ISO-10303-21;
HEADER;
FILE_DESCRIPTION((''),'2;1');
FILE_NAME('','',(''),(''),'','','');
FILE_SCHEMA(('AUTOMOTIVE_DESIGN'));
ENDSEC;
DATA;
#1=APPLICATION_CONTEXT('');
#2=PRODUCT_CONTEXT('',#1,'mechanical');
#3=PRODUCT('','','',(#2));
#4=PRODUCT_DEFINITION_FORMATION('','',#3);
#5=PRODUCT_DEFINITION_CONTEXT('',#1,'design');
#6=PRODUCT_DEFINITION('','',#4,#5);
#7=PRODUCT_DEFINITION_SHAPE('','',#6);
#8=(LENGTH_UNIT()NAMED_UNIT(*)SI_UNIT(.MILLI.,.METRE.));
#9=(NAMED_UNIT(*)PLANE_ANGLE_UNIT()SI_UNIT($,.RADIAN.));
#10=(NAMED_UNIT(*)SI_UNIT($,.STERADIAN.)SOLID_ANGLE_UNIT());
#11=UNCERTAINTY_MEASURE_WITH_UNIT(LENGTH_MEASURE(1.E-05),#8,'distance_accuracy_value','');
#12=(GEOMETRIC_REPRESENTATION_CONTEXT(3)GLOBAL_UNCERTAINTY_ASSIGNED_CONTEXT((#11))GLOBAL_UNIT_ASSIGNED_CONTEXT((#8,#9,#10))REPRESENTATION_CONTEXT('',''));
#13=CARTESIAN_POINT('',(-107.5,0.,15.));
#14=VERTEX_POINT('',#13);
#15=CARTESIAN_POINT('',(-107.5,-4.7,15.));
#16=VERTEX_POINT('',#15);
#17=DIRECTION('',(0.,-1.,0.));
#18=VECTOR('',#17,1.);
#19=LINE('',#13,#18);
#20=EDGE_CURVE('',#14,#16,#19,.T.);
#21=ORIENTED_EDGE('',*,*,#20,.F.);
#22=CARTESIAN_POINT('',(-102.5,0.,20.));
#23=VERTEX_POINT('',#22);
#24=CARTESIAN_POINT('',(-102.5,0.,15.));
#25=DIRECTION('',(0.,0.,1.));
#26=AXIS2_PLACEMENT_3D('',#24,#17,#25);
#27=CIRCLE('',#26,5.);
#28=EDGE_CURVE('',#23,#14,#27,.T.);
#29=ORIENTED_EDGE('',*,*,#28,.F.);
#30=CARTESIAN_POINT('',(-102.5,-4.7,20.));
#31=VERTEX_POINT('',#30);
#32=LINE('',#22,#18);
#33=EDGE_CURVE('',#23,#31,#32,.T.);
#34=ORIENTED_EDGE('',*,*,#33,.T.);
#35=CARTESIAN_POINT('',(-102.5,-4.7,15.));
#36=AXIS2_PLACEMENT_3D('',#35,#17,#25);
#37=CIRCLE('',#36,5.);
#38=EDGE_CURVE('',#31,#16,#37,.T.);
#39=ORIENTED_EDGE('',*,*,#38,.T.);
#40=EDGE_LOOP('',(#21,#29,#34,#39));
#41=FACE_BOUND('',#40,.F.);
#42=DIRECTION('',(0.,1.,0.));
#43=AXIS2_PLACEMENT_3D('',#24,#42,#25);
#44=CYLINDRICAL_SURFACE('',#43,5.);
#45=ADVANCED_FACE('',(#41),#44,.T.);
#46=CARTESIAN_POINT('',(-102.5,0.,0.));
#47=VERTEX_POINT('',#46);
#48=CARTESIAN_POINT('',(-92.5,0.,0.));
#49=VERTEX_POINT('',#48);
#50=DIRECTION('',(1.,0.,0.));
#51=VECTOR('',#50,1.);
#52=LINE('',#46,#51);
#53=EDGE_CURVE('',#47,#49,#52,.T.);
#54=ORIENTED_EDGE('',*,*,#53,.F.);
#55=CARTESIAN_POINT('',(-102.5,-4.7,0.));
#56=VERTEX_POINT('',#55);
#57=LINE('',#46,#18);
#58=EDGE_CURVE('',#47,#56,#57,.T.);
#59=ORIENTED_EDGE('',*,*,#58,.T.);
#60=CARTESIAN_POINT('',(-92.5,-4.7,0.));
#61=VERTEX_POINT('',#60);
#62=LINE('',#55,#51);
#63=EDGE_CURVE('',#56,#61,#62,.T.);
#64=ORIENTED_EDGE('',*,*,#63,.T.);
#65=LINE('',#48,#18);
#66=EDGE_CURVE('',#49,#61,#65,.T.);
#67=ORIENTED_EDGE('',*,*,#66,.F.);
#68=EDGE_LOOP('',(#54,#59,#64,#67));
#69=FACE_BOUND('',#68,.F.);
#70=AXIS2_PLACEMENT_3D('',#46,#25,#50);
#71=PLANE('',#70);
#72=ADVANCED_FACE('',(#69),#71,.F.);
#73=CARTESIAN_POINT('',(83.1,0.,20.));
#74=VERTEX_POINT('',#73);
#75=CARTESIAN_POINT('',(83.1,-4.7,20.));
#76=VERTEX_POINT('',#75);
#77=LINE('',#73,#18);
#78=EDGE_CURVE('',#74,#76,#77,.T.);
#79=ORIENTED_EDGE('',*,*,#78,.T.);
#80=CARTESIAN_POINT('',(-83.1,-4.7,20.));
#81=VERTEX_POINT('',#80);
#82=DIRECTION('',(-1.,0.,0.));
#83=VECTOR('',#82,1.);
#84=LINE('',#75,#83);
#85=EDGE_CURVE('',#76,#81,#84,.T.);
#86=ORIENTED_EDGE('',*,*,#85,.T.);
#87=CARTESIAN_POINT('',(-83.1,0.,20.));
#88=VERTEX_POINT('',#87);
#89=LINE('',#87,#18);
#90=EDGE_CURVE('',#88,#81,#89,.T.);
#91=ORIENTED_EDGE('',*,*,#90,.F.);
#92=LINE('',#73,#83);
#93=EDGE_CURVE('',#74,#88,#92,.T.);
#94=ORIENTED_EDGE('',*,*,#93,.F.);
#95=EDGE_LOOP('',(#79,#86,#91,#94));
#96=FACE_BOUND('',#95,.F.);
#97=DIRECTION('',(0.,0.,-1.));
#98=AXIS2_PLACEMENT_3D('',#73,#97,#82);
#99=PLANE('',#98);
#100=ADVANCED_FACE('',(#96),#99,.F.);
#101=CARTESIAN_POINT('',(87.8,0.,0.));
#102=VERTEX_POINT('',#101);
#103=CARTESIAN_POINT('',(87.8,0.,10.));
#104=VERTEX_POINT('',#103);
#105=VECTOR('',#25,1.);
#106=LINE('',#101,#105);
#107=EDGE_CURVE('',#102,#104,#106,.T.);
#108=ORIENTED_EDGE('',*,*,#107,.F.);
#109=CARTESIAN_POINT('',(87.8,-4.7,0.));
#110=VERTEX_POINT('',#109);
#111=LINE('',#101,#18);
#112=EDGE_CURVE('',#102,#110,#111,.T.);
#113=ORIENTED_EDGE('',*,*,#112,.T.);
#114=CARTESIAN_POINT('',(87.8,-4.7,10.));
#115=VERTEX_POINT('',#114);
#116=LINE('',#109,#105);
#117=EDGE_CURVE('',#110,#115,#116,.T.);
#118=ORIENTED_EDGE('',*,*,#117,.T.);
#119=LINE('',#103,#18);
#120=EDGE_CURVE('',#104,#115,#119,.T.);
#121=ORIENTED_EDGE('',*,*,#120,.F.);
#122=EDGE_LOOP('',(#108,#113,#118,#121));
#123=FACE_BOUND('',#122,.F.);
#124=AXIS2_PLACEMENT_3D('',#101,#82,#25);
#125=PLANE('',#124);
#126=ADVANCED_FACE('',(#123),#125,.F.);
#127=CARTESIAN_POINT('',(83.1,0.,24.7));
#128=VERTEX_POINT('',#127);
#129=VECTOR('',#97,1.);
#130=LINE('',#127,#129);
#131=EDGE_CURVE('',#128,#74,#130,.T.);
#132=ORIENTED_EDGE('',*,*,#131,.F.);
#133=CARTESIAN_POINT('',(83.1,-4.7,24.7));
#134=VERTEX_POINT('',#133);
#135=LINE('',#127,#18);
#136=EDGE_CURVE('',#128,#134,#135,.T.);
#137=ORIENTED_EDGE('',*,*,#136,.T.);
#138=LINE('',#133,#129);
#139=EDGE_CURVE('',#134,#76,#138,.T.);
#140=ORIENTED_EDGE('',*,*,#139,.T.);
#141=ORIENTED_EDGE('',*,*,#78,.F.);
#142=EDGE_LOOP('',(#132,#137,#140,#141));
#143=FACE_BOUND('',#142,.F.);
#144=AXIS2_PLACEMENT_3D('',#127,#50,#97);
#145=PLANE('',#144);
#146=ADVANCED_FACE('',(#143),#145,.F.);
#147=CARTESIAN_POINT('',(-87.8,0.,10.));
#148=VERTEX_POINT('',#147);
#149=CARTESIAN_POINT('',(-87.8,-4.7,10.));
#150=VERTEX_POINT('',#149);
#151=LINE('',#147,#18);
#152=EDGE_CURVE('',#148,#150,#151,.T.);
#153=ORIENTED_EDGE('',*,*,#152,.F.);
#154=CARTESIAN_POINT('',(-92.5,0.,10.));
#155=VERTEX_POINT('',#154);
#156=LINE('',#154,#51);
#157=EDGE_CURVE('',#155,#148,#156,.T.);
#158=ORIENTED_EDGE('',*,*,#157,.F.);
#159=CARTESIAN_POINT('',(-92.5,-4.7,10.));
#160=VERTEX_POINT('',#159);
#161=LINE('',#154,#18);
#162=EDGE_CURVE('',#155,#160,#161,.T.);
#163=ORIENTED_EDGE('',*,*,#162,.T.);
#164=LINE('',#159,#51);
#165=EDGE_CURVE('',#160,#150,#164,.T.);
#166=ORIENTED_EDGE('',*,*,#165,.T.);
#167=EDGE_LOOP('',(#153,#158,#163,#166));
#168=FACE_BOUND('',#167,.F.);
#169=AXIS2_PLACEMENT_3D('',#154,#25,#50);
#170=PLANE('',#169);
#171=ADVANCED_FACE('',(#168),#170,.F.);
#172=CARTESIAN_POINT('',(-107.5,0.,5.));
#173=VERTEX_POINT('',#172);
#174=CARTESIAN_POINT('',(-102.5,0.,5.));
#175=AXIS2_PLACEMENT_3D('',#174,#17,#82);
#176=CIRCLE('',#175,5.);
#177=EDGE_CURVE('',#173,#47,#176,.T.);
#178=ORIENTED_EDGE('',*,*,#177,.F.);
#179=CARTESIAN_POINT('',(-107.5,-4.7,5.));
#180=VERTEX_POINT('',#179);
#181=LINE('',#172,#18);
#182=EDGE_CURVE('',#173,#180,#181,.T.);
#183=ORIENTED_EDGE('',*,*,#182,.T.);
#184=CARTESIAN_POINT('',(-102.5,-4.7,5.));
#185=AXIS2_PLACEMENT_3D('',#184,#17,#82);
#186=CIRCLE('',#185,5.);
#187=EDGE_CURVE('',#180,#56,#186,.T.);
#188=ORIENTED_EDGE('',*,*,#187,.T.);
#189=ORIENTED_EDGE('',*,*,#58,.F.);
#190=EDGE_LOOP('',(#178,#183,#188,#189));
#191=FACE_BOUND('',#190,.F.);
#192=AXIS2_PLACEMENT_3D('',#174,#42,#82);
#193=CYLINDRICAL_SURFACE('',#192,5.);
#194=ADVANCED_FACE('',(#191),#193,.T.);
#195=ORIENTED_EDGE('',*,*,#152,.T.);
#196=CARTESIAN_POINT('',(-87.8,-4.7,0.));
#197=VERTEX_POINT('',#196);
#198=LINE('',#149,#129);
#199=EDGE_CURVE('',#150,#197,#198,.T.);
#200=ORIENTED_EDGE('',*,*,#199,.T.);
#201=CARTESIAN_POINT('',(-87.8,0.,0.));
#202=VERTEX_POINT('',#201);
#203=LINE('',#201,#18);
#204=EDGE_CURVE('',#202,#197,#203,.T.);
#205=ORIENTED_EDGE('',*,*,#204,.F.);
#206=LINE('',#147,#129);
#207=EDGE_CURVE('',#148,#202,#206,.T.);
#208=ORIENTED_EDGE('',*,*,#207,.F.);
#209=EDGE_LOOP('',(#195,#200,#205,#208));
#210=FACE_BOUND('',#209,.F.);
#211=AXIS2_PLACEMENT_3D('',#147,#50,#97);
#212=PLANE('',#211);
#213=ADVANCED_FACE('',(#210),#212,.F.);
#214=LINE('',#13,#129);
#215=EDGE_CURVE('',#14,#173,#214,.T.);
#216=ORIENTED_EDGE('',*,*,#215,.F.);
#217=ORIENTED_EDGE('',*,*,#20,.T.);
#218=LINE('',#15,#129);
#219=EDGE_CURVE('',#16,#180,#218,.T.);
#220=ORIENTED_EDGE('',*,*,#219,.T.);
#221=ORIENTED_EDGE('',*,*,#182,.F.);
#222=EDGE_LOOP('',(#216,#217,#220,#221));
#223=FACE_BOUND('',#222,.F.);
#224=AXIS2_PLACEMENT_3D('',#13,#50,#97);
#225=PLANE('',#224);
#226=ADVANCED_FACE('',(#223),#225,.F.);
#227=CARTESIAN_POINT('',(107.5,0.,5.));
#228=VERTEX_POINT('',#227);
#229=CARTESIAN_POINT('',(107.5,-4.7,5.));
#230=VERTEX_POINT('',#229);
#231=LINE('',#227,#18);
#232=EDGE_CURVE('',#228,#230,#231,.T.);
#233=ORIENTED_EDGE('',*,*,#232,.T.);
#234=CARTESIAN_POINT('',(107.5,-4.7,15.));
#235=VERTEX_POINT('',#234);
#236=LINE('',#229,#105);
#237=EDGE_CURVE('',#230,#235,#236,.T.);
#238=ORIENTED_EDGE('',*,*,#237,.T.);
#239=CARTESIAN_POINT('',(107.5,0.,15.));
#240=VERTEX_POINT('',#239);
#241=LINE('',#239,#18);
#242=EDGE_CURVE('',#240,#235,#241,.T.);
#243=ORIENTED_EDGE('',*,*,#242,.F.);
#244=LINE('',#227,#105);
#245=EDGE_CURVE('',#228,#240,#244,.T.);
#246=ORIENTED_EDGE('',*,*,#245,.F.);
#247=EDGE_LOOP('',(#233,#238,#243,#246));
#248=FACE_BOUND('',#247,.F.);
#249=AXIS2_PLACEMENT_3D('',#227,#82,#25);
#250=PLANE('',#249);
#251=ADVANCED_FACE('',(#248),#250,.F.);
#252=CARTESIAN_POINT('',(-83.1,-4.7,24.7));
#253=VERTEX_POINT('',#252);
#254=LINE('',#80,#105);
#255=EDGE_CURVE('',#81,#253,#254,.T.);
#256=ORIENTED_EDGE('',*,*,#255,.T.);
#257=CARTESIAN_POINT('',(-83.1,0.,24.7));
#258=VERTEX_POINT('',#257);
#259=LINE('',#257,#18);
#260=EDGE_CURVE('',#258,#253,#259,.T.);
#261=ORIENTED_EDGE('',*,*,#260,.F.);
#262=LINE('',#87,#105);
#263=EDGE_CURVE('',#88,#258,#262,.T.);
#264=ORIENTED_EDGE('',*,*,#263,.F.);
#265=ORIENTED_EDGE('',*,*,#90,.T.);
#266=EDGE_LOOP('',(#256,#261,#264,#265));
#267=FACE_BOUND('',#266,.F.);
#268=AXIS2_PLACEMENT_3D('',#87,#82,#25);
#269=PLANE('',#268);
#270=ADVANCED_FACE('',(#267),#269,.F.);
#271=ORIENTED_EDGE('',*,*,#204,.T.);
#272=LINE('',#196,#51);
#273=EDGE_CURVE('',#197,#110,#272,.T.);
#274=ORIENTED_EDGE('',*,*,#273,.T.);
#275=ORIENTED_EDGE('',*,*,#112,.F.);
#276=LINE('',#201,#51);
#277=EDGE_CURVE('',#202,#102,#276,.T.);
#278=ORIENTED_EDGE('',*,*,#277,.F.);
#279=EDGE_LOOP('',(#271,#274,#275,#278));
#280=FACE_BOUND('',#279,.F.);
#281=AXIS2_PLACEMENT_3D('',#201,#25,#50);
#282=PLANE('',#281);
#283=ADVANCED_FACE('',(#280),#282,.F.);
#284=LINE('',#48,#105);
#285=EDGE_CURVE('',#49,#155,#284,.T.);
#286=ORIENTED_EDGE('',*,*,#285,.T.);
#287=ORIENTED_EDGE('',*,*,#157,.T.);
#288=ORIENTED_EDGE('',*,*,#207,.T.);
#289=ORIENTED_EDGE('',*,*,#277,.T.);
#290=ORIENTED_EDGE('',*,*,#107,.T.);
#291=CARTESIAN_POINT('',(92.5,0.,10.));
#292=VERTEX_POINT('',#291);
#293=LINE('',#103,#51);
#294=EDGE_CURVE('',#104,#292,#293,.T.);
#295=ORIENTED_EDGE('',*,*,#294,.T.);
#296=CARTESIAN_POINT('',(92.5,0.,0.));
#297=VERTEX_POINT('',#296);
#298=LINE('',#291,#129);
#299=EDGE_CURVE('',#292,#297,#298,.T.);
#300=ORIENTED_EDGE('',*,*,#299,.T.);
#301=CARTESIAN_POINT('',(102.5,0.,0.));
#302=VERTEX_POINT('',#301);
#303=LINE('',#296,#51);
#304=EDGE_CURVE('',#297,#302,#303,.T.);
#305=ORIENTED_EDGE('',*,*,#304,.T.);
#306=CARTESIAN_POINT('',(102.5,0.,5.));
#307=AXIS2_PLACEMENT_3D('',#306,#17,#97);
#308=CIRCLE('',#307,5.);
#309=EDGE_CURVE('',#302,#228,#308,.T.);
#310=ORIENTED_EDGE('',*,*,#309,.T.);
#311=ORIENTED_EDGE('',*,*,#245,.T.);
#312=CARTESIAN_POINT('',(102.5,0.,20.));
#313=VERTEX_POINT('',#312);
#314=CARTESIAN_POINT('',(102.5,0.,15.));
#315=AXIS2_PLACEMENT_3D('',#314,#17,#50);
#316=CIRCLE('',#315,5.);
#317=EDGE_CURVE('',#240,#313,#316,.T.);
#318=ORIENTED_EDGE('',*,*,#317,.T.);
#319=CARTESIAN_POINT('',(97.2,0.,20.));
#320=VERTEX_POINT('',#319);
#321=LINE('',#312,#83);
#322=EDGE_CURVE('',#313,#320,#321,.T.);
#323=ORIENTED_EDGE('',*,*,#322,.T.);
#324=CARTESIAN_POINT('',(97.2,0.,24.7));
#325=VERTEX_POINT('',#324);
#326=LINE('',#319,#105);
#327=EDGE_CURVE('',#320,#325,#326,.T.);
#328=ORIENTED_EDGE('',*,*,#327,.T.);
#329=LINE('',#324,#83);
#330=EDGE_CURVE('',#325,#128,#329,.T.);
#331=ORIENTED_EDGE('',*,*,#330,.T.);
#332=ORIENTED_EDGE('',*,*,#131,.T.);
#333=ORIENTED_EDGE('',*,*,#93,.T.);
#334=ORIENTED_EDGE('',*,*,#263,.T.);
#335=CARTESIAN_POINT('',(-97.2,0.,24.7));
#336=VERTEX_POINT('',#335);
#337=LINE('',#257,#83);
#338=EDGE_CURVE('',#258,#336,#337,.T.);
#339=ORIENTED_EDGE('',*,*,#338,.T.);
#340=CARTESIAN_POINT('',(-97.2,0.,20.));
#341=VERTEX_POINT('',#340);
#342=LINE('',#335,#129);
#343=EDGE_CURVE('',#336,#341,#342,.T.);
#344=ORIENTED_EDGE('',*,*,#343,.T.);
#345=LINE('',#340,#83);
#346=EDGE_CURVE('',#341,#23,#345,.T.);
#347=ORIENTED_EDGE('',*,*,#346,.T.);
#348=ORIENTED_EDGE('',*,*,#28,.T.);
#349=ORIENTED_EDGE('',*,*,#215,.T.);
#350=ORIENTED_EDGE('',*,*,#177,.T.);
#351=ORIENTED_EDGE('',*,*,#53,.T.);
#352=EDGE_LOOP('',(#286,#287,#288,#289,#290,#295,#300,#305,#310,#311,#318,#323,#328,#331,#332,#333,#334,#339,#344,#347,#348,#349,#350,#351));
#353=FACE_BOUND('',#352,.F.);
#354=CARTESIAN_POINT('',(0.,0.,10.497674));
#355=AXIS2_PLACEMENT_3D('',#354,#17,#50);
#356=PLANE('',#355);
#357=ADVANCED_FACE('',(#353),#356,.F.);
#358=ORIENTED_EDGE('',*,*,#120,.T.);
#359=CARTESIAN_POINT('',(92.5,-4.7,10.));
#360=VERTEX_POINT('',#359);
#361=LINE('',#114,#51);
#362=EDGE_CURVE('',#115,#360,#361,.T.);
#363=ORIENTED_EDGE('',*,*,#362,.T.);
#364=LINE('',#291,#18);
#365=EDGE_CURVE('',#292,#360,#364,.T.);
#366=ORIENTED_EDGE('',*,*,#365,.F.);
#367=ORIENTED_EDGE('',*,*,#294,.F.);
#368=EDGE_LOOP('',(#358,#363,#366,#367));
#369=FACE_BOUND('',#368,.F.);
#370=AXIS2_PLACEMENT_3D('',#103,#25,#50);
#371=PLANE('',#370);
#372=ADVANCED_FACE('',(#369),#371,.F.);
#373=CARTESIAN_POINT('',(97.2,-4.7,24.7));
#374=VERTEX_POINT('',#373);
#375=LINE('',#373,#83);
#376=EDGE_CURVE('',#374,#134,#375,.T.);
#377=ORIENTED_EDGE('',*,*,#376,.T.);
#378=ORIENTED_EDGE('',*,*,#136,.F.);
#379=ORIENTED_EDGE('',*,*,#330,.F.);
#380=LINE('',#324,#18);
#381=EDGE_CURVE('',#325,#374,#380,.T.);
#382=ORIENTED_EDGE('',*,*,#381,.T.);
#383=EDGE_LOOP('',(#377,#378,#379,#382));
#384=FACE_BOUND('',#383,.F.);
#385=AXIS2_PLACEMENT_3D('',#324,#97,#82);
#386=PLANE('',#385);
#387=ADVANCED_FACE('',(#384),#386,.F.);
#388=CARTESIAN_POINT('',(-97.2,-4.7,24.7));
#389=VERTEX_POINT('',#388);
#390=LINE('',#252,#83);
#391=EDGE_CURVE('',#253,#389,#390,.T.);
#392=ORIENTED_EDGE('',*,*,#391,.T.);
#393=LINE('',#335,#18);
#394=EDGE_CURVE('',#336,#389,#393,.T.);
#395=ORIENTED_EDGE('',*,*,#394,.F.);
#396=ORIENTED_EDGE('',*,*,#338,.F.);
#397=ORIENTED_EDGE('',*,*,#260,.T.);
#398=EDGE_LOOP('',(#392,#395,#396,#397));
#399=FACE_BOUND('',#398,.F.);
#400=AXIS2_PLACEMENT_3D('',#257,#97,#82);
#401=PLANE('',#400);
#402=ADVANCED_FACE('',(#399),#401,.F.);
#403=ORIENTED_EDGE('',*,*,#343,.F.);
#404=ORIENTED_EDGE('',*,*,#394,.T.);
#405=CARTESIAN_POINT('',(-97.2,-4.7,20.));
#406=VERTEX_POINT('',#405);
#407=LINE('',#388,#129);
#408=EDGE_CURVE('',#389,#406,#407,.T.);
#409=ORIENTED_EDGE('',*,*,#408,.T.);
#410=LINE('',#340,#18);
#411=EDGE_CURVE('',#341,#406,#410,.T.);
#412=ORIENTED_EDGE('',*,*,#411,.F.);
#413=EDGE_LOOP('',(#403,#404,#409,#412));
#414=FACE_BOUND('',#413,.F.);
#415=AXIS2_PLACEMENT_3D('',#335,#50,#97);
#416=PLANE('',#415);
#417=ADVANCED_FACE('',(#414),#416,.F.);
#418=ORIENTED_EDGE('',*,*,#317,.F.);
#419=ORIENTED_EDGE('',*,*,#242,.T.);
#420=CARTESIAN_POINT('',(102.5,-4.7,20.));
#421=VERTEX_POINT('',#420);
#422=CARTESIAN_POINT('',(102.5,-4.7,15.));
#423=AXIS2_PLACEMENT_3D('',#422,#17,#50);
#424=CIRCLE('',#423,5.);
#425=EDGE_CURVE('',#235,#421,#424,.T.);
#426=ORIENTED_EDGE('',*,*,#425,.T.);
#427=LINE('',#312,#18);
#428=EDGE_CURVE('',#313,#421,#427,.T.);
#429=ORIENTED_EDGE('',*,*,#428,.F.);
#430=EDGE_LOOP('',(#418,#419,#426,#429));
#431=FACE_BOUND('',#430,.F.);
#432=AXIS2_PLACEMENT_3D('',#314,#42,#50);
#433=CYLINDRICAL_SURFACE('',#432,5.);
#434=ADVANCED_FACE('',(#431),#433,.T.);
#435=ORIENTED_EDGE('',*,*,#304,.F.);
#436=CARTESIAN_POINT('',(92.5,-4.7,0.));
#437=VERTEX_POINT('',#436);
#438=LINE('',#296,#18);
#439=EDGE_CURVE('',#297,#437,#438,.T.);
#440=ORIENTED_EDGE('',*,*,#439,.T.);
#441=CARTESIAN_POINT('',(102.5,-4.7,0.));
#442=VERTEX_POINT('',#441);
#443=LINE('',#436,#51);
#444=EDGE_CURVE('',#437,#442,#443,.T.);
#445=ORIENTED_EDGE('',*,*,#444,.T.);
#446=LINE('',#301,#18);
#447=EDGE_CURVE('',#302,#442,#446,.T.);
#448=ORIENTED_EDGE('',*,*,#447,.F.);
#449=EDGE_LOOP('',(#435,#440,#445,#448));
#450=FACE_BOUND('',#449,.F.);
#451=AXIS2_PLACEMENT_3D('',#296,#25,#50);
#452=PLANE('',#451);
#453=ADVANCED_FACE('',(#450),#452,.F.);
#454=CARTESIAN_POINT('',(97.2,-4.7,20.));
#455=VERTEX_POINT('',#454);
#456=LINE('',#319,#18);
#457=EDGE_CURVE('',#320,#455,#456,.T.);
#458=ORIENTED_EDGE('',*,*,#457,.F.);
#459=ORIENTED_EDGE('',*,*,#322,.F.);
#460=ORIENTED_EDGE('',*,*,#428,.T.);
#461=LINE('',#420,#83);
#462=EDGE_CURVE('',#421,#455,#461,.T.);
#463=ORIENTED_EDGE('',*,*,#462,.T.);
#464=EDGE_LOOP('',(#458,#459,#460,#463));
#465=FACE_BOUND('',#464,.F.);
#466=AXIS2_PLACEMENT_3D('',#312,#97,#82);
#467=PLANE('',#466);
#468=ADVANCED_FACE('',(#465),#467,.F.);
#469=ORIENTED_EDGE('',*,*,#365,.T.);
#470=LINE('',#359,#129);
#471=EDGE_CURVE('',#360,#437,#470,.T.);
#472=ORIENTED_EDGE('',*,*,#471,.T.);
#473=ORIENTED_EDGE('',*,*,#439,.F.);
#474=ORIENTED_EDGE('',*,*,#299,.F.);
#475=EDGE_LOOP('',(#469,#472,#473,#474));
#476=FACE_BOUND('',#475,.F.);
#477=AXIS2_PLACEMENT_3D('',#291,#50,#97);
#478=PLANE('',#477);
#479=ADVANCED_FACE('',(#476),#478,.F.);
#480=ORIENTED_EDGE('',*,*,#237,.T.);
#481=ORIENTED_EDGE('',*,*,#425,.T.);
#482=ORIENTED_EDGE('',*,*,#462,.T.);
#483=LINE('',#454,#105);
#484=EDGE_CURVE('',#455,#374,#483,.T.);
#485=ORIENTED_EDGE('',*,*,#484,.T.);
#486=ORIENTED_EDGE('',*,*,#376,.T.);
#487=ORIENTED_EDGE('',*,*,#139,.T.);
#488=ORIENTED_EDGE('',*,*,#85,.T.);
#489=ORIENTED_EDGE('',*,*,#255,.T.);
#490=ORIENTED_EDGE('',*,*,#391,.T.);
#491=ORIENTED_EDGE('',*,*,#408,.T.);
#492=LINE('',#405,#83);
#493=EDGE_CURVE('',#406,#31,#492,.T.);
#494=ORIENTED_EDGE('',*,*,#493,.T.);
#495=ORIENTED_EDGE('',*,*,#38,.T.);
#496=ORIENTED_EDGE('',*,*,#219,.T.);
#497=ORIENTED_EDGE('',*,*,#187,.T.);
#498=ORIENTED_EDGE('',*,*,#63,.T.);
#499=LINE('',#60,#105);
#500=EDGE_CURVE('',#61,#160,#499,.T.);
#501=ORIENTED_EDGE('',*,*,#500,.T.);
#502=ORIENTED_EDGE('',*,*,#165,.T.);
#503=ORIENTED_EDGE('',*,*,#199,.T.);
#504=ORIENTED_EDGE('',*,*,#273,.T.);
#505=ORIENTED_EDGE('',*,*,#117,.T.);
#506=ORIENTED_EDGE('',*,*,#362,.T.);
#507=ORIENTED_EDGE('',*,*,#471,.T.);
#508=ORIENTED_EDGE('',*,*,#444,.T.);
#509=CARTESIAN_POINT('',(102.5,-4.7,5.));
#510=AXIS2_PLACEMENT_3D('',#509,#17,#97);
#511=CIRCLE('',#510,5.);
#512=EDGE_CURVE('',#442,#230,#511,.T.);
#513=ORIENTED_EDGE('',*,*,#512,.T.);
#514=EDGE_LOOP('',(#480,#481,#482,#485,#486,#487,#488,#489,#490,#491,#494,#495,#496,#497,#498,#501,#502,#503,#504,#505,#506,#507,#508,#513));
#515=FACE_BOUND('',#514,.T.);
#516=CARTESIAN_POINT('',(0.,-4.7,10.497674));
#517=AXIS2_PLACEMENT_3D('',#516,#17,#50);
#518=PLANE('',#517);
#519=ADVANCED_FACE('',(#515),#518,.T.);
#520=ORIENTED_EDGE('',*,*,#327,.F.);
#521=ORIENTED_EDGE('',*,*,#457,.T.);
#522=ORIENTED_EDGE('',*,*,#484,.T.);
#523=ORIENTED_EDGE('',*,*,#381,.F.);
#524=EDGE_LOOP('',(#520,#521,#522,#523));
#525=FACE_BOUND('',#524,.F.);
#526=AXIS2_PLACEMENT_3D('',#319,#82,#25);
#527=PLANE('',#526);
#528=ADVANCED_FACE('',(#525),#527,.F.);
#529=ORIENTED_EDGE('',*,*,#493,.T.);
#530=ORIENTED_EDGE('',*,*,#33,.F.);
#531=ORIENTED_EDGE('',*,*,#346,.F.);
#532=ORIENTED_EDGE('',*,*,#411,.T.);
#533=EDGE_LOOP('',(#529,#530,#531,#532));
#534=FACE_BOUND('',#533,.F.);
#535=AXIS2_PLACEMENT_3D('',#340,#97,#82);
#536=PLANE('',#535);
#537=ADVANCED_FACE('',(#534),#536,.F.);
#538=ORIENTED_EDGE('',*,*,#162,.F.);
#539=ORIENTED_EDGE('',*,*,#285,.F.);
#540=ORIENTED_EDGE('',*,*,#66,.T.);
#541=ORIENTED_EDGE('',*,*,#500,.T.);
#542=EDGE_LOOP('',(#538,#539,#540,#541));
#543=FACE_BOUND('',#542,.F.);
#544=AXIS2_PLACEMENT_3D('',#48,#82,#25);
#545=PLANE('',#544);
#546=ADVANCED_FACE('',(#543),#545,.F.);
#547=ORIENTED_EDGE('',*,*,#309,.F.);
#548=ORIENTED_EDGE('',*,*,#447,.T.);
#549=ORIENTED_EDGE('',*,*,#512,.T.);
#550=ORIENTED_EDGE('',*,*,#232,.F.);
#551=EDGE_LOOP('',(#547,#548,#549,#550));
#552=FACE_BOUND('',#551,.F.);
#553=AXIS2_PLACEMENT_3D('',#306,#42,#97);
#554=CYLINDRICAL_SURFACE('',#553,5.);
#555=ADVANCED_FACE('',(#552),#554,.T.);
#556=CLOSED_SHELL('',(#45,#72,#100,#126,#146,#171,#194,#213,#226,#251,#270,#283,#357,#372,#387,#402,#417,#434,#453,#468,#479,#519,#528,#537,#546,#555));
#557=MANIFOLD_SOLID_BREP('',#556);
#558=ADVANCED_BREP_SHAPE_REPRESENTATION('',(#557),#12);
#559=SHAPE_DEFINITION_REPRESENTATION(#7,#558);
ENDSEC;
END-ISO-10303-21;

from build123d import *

# Parameters (mm, degrees)
F2_DEPTH = 4.7


with BuildPart() as f2:
    # F1 (on Front) → F2 (new body)
    with BuildSketch(Plane.XZ):
        with BuildLine():
            Line((-97.2, 20), (-102.5, 20))
            ThreePointArc((-102.5, 20), (-106.0355339059, 18.5355339059), (-107.5, 15))
            Line((-107.5, 15), (-107.5, 5))
            ThreePointArc((-107.5, 5), (-106.0355339059, 1.4644660941), (-102.5, 0))
            Line((-102.5, 0), (-92.5, 0))
            Line((-92.5, 0), (-92.5, 10))
            Line((-92.5, 10), (-87.8, 10))
            Line((-87.8, 10), (-87.8, 0))
            Line((-87.8, 0), (87.8, 0))
            Line((87.8, 0), (87.8, 10))
            Line((87.8, 10), (92.5, 10))
            Line((92.5, 10), (92.5, 0))
            Line((92.5, 0), (102.5, 0))
            ThreePointArc((102.5, 0), (106.0355339059, 1.4644660941), (107.5, 5))
            Line((107.5, 5), (107.5, 15))
            ThreePointArc((107.5, 15), (106.0355339059, 18.5355339059), (102.5, 20))
            Line((102.5, 20), (97.2, 20))
            Line((97.2, 20), (97.2, 24.7))
            Line((97.2, 24.7), (92.5, 24.7))
            Line((92.5, 24.7), (87.8, 24.7))
            Line((87.8, 24.7), (83.1, 24.7))
            Line((83.1, 24.7), (83.1, 20))
            Line((83.1, 20), (-83.1, 20))
            Line((-83.1, 20), (-83.1, 24.7))
            Line((-83.1, 24.7), (-87.8, 24.7))
            Line((-87.8, 24.7), (-92.5, 24.7))
            Line((-92.5, 24.7), (-97.2, 24.7))
            Line((-97.2, 24.7), (-97.2, 20))
        make_face()
    extrude(amount=F2_DEPTH)


solid = f2.part
